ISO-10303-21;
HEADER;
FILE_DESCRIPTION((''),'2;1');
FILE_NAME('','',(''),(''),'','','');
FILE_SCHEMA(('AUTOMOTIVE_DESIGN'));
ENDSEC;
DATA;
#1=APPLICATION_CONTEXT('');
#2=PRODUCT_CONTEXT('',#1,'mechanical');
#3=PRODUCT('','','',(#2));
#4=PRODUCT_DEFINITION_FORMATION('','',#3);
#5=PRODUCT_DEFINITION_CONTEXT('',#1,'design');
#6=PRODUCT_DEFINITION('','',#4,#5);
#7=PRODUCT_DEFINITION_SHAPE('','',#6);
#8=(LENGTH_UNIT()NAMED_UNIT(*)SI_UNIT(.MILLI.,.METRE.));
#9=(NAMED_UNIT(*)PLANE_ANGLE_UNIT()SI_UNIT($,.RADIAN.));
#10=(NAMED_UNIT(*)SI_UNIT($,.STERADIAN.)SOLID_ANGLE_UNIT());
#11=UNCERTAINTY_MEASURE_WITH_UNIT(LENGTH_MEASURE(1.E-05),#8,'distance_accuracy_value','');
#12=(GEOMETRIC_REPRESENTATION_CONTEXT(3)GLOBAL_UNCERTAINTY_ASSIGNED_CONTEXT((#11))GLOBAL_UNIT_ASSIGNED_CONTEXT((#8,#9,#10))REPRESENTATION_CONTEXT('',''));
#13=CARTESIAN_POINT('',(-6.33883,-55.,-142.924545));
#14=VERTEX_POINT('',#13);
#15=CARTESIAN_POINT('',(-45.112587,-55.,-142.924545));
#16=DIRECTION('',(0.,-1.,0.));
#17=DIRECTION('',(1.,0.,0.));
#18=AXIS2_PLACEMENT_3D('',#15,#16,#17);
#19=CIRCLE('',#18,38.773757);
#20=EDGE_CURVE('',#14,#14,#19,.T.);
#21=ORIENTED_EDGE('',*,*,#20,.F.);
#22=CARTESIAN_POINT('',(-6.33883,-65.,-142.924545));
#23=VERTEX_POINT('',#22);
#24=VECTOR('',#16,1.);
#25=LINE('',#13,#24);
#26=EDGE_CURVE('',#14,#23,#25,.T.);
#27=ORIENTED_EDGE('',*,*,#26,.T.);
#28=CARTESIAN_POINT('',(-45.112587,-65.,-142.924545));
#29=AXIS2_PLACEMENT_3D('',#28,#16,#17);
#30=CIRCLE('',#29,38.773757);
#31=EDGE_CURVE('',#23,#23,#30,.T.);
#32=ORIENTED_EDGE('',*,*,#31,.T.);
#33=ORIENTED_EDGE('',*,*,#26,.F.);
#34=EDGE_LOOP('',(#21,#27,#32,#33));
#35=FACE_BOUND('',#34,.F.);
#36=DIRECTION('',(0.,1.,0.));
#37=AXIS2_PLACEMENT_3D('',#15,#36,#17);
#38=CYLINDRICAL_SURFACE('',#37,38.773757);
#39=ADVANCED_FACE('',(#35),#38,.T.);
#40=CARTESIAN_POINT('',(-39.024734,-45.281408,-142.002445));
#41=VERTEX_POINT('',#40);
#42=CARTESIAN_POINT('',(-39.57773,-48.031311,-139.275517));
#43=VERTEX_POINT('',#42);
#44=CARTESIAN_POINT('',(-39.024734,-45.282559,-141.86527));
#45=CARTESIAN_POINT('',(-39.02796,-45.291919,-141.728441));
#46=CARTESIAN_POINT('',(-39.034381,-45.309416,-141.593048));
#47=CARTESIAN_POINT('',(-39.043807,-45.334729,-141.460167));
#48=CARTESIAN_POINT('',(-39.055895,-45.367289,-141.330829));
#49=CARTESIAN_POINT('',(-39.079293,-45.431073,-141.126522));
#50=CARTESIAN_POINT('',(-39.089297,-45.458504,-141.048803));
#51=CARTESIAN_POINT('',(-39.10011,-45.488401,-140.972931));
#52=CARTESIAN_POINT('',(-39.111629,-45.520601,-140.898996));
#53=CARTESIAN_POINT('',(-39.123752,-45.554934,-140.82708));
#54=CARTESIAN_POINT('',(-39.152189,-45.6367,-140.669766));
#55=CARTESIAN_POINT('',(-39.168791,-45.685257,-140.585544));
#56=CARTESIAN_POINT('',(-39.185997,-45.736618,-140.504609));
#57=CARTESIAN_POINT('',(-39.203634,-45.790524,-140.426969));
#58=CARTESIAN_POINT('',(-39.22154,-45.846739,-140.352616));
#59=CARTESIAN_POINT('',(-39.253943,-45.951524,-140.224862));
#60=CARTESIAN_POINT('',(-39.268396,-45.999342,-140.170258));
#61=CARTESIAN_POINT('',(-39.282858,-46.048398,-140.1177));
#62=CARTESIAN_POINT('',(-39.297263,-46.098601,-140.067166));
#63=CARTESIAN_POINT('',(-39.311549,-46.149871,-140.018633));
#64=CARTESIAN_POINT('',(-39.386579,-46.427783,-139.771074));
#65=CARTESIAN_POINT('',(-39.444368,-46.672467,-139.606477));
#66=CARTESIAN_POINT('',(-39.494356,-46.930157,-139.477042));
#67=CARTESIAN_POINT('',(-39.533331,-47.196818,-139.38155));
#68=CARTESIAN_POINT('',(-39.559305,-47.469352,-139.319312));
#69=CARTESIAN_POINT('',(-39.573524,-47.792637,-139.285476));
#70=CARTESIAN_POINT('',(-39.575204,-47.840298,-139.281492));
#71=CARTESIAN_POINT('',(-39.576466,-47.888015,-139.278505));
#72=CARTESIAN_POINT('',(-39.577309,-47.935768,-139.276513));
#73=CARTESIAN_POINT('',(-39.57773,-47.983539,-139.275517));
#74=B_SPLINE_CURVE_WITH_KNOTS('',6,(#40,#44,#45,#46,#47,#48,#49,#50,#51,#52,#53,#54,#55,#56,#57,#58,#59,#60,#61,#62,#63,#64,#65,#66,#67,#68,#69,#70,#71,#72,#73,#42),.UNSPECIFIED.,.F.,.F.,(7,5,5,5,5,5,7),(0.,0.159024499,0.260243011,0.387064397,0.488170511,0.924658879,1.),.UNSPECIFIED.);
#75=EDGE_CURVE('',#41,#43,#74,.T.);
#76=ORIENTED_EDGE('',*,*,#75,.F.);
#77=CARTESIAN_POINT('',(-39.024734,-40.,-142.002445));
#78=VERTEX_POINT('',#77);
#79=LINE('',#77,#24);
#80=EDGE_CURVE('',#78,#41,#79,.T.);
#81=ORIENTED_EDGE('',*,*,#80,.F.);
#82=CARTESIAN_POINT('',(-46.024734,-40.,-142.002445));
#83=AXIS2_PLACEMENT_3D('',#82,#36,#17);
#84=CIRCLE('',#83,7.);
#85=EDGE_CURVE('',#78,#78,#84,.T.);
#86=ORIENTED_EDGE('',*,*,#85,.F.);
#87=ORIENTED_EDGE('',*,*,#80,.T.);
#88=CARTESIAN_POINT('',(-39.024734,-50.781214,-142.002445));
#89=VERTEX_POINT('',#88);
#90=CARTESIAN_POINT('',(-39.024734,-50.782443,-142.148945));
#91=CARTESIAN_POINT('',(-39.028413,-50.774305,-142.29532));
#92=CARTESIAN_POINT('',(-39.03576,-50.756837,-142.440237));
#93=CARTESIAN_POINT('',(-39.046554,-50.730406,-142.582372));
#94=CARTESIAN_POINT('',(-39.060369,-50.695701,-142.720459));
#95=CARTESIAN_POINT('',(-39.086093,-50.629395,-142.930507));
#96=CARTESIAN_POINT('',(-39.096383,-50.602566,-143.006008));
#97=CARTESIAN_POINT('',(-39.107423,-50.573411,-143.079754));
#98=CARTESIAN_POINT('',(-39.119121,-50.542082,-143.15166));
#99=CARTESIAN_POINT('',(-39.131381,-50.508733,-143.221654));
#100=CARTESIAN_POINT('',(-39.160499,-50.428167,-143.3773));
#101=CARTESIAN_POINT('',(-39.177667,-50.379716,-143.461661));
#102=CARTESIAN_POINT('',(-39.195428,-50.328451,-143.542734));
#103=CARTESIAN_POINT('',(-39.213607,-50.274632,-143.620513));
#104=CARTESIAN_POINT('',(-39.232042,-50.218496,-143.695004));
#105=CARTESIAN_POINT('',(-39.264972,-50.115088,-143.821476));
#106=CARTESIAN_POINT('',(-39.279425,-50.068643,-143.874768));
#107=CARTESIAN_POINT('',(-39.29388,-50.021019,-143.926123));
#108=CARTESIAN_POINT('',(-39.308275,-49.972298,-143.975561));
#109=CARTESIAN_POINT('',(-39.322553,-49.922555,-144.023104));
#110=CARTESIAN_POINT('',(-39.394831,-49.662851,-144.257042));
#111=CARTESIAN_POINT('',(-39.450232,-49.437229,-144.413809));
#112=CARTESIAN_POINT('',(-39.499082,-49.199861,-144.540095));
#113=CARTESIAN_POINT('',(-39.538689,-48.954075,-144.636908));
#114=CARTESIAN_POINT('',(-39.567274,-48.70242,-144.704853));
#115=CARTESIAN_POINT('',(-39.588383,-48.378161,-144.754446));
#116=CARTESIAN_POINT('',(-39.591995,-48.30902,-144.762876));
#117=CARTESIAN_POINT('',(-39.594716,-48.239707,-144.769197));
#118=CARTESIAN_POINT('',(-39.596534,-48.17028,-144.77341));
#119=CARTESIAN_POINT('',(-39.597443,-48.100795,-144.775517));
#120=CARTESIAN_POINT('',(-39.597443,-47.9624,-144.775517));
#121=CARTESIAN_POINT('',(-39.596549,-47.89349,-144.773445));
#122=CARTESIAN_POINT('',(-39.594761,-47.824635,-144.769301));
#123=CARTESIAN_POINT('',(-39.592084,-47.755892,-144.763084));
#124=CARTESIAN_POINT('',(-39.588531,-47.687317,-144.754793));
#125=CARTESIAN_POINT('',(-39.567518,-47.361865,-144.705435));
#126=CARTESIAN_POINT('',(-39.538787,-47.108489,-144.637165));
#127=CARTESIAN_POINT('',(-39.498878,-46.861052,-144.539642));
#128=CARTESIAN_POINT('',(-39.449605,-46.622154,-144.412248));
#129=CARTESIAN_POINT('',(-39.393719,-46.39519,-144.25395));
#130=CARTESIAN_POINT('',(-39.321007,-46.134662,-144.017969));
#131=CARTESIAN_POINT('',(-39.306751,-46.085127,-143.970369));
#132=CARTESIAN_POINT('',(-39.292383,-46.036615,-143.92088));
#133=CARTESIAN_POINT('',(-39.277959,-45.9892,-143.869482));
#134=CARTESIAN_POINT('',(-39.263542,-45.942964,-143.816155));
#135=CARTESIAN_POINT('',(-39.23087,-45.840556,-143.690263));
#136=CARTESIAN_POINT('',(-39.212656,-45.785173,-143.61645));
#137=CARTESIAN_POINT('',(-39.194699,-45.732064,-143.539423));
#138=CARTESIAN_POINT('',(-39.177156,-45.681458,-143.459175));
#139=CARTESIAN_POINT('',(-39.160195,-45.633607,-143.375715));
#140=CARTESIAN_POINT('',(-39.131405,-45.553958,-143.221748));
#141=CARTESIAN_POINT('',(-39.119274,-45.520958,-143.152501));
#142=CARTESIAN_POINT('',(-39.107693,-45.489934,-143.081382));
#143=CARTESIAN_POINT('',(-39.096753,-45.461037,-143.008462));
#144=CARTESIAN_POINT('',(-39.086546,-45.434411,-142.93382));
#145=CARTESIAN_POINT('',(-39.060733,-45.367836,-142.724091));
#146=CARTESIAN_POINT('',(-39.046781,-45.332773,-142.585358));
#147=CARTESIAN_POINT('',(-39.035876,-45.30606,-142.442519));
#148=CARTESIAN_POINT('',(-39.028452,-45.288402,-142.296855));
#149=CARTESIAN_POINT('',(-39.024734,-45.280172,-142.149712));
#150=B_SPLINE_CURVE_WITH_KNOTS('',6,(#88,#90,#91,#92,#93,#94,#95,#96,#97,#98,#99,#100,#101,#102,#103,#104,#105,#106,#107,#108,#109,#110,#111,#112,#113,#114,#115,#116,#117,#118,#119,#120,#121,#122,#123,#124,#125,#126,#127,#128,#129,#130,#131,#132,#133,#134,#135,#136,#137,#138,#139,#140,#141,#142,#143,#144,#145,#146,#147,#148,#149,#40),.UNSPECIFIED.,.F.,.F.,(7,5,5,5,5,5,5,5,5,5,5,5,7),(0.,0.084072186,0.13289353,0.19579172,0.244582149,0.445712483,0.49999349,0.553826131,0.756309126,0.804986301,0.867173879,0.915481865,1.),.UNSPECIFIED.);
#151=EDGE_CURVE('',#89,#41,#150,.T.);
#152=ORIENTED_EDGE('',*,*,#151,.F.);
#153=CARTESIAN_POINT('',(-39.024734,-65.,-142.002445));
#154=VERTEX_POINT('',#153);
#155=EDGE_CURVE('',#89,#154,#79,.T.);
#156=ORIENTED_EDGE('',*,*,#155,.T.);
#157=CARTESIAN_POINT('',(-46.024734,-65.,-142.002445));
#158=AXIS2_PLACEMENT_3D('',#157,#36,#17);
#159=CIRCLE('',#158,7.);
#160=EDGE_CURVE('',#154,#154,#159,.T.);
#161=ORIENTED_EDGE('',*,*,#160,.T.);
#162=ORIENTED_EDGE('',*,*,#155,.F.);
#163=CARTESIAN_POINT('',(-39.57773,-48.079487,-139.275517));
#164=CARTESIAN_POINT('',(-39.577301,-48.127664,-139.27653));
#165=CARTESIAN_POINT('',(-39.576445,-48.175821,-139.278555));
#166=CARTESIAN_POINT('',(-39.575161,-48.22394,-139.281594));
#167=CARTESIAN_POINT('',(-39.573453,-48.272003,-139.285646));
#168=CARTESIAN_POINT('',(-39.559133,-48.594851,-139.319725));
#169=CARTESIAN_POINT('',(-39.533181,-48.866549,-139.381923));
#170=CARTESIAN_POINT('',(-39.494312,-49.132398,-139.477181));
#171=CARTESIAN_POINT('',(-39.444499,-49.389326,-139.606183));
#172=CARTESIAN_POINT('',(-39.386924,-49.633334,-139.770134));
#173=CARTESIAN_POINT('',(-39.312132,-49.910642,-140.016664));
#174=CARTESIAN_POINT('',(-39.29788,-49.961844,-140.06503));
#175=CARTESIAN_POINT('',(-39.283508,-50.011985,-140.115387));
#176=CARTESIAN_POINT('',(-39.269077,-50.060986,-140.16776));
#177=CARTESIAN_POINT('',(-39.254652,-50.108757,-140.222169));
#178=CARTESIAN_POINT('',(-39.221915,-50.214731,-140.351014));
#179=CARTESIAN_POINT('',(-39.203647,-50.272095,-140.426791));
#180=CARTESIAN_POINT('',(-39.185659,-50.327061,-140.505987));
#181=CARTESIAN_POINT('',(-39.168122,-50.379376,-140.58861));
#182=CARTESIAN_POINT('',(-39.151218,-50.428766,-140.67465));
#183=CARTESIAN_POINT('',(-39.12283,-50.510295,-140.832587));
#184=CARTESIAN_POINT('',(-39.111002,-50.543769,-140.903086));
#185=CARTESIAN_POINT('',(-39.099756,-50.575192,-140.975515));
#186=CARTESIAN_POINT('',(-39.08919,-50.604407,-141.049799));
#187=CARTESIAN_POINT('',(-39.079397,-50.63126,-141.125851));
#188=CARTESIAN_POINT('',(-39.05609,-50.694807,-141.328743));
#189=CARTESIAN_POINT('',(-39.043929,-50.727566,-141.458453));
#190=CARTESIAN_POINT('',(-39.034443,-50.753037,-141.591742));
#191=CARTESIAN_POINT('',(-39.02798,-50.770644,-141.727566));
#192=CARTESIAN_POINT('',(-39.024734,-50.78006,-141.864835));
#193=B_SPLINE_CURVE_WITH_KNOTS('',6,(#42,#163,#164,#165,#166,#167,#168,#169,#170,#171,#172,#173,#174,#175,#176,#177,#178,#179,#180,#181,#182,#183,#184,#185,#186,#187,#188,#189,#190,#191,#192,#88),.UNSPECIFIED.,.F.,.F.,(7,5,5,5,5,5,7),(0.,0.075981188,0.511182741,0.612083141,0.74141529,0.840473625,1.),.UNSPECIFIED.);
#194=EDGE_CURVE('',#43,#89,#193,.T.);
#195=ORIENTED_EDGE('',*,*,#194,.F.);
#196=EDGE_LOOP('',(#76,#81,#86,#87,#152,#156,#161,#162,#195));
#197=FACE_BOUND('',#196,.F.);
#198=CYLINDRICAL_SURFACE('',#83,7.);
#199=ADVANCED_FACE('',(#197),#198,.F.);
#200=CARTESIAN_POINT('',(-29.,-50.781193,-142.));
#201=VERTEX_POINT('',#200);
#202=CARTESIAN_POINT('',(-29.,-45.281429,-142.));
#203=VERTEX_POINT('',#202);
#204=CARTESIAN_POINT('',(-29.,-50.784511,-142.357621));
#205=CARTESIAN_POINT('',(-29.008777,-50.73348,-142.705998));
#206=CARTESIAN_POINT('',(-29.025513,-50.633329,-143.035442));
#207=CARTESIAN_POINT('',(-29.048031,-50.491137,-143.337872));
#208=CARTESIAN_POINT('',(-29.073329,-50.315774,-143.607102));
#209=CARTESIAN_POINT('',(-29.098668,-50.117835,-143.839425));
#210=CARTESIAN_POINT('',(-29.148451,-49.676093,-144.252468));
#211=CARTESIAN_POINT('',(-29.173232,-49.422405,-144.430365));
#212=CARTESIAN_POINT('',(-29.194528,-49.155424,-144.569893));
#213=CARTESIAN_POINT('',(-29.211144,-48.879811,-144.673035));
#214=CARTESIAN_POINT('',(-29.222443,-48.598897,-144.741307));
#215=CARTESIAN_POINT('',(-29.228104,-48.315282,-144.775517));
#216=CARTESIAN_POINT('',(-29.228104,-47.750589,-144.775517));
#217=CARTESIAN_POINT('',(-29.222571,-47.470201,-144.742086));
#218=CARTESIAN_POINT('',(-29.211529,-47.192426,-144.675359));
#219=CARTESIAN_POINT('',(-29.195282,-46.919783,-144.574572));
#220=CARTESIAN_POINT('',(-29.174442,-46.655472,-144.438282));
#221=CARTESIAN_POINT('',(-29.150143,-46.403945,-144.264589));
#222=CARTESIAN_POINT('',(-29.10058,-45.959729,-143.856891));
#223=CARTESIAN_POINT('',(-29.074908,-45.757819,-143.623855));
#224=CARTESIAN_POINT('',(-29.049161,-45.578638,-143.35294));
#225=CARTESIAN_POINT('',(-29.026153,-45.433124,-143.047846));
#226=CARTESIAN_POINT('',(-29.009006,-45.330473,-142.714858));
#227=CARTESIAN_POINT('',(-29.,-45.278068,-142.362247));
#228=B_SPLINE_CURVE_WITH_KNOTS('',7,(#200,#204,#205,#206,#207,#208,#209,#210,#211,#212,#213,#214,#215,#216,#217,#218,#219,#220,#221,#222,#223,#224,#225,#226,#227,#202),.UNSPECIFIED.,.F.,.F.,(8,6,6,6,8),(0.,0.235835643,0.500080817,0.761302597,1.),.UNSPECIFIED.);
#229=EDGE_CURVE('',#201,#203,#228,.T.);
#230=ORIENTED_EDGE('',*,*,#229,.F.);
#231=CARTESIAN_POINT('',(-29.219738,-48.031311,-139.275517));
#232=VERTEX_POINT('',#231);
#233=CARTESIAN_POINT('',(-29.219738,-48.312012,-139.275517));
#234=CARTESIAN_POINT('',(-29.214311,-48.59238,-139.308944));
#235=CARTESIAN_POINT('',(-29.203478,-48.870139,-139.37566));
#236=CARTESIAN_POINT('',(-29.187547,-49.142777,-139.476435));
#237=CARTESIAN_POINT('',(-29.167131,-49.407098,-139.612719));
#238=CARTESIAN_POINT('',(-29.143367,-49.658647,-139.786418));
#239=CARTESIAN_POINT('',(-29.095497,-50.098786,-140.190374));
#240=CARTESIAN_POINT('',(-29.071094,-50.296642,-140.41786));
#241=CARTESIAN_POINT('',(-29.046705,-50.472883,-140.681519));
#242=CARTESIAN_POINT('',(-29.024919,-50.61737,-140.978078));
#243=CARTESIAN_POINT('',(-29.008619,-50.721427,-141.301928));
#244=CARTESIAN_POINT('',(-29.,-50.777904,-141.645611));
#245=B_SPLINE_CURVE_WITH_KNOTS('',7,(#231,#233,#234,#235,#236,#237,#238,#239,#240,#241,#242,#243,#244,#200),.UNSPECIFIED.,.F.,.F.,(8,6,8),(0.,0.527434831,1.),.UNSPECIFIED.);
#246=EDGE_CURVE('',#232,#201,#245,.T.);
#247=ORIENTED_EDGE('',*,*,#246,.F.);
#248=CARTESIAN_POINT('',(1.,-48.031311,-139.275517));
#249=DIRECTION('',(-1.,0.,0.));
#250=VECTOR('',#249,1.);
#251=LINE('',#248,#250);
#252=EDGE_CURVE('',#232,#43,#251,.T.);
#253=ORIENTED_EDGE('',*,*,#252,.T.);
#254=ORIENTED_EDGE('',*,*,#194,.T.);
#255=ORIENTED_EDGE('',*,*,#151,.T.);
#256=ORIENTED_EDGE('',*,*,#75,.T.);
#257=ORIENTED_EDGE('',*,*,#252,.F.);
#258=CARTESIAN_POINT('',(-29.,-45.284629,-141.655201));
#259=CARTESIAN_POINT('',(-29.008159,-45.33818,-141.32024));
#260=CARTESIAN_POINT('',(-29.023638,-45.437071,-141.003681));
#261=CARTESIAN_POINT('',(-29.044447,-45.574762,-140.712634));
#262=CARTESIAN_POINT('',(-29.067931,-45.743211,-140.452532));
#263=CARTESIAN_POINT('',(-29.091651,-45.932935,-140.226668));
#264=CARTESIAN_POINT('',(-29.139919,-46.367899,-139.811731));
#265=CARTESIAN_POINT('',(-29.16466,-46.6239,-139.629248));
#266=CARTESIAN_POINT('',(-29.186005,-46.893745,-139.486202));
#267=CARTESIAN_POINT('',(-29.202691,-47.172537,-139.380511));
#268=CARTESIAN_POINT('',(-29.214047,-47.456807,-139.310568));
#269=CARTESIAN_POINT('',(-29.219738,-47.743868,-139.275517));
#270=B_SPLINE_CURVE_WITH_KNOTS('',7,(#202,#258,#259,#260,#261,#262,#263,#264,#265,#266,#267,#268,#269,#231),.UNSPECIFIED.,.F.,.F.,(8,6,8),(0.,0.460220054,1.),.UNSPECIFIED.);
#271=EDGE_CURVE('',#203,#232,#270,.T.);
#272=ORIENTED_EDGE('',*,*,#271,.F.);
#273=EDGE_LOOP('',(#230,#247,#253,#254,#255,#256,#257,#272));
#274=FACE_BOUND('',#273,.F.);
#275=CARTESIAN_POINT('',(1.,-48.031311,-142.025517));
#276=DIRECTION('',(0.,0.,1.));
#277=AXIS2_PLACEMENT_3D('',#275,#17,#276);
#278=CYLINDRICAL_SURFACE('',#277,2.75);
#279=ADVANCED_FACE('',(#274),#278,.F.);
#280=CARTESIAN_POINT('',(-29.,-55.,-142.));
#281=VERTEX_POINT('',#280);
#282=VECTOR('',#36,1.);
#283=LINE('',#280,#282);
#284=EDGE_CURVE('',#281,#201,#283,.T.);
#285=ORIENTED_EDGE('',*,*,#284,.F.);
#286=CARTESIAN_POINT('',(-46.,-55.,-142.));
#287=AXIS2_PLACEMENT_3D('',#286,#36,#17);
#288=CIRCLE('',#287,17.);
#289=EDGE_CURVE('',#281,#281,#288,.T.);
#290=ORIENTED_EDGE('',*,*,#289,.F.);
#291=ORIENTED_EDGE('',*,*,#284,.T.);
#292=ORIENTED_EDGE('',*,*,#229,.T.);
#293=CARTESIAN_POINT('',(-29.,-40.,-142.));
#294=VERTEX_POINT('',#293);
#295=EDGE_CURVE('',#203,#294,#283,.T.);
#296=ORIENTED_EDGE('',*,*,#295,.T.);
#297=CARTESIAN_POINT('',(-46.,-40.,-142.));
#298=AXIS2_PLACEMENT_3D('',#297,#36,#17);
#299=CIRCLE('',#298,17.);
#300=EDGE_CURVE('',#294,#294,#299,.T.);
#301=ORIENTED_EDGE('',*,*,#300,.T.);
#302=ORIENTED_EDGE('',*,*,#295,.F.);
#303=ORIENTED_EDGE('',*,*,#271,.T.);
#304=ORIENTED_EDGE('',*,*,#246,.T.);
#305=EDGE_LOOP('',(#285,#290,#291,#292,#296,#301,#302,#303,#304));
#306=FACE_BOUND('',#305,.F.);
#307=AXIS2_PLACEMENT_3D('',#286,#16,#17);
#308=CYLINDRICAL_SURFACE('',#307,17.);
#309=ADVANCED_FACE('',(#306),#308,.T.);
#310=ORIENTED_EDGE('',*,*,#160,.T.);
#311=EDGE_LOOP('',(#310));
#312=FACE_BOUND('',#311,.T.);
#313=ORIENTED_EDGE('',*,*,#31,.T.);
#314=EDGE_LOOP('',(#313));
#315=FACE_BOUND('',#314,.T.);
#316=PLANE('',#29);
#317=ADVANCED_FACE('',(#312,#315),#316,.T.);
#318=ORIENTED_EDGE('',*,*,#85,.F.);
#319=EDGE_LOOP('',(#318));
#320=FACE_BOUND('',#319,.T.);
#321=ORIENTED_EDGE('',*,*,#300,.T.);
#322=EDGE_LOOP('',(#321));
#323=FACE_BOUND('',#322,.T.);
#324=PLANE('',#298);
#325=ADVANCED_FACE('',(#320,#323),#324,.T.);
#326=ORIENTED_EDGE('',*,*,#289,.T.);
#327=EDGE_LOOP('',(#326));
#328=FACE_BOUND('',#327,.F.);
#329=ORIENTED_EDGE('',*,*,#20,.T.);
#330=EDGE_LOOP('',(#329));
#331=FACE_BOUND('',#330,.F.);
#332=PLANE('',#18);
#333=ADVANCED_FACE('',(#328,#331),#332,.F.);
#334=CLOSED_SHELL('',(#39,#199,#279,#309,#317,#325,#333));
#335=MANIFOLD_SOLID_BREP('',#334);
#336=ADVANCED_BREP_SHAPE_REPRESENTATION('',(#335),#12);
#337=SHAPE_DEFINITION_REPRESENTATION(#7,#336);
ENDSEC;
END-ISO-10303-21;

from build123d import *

# Parameters (mm, degrees)
SKETCH021_R             = 38.773757
PAD011_DEPTH            = 10
SKETCH024_R             = 17
PAD012_DEPTH            = 15
SKETCH023_R             = 7
HOLE007_DEPTH           = 33
SKETCH022_R             = 2.75
HOLE008_DEPTH           = 41.347633
HOLE008_TIPS_R          = 2.75
BODY010_PLACEMENT_ANGLE = 90


with BuildPart() as part:
    # Sketch021 → Pad011 (new body)
    with BuildSketch(Plane.XY):
        with Locations((-46.112587, 35.075455)):
            Circle(SKETCH021_R)
    extrude(amount=PAD011_DEPTH)

    # Sketch024 (on Face2 of Pad011) → Pad012 (join)
    with BuildSketch(Plane(origin=(0, 0, 0), x_dir=(1, 0, 0), z_dir=(0, 0, -1))):
        with Locations((-47, -36)):
            Circle(SKETCH024_R)
    extrude(amount=PAD012_DEPTH)

    # Sketch023 (on Face5 of Pad012) → Hole007 (cut)
    with BuildSketch(Plane(origin=(0, 0, -15), x_dir=(1, 0, 0), z_dir=(0, 0, -1))):
        with Locations((-47.024734, -35.997555)):
            Circle(SKETCH023_R)
    extrude(amount=-HOLE007_DEPTH, mode=Mode.SUBTRACT)

    # Sketch022 → Hole008 (cut)
    with BuildSketch(Plane.YZ):
        with Locations((35.974483, -6.968689)):
            Circle(SKETCH022_R)
    extrude(amount=-HOLE008_DEPTH, mode=Mode.SUBTRACT)

    # Hole008 tips → Hole008 tip 1 section 0
    with BuildSketch(Plane.YZ.offset(-41.347633), mode=Mode.PRIVATE) as hole008_tip_1_s0:
        with Locations((35.974483, -6.968689)):
            Circle(HOLE008_TIPS_R)
    loft([hole008_tip_1_s0.sketch, Vertex(-43, 35.974483, -6.968689)], mode=Mode.SUBTRACT)


with BuildPart() as part_1:
    # Body010 placement: moved
    add(part.part.moved(Location((1, -55, -178))).rotate(Axis((1, -55, -178), (1, 0, 0)), BODY010_PLACEMENT_ANGLE))


solid = part_1.part
